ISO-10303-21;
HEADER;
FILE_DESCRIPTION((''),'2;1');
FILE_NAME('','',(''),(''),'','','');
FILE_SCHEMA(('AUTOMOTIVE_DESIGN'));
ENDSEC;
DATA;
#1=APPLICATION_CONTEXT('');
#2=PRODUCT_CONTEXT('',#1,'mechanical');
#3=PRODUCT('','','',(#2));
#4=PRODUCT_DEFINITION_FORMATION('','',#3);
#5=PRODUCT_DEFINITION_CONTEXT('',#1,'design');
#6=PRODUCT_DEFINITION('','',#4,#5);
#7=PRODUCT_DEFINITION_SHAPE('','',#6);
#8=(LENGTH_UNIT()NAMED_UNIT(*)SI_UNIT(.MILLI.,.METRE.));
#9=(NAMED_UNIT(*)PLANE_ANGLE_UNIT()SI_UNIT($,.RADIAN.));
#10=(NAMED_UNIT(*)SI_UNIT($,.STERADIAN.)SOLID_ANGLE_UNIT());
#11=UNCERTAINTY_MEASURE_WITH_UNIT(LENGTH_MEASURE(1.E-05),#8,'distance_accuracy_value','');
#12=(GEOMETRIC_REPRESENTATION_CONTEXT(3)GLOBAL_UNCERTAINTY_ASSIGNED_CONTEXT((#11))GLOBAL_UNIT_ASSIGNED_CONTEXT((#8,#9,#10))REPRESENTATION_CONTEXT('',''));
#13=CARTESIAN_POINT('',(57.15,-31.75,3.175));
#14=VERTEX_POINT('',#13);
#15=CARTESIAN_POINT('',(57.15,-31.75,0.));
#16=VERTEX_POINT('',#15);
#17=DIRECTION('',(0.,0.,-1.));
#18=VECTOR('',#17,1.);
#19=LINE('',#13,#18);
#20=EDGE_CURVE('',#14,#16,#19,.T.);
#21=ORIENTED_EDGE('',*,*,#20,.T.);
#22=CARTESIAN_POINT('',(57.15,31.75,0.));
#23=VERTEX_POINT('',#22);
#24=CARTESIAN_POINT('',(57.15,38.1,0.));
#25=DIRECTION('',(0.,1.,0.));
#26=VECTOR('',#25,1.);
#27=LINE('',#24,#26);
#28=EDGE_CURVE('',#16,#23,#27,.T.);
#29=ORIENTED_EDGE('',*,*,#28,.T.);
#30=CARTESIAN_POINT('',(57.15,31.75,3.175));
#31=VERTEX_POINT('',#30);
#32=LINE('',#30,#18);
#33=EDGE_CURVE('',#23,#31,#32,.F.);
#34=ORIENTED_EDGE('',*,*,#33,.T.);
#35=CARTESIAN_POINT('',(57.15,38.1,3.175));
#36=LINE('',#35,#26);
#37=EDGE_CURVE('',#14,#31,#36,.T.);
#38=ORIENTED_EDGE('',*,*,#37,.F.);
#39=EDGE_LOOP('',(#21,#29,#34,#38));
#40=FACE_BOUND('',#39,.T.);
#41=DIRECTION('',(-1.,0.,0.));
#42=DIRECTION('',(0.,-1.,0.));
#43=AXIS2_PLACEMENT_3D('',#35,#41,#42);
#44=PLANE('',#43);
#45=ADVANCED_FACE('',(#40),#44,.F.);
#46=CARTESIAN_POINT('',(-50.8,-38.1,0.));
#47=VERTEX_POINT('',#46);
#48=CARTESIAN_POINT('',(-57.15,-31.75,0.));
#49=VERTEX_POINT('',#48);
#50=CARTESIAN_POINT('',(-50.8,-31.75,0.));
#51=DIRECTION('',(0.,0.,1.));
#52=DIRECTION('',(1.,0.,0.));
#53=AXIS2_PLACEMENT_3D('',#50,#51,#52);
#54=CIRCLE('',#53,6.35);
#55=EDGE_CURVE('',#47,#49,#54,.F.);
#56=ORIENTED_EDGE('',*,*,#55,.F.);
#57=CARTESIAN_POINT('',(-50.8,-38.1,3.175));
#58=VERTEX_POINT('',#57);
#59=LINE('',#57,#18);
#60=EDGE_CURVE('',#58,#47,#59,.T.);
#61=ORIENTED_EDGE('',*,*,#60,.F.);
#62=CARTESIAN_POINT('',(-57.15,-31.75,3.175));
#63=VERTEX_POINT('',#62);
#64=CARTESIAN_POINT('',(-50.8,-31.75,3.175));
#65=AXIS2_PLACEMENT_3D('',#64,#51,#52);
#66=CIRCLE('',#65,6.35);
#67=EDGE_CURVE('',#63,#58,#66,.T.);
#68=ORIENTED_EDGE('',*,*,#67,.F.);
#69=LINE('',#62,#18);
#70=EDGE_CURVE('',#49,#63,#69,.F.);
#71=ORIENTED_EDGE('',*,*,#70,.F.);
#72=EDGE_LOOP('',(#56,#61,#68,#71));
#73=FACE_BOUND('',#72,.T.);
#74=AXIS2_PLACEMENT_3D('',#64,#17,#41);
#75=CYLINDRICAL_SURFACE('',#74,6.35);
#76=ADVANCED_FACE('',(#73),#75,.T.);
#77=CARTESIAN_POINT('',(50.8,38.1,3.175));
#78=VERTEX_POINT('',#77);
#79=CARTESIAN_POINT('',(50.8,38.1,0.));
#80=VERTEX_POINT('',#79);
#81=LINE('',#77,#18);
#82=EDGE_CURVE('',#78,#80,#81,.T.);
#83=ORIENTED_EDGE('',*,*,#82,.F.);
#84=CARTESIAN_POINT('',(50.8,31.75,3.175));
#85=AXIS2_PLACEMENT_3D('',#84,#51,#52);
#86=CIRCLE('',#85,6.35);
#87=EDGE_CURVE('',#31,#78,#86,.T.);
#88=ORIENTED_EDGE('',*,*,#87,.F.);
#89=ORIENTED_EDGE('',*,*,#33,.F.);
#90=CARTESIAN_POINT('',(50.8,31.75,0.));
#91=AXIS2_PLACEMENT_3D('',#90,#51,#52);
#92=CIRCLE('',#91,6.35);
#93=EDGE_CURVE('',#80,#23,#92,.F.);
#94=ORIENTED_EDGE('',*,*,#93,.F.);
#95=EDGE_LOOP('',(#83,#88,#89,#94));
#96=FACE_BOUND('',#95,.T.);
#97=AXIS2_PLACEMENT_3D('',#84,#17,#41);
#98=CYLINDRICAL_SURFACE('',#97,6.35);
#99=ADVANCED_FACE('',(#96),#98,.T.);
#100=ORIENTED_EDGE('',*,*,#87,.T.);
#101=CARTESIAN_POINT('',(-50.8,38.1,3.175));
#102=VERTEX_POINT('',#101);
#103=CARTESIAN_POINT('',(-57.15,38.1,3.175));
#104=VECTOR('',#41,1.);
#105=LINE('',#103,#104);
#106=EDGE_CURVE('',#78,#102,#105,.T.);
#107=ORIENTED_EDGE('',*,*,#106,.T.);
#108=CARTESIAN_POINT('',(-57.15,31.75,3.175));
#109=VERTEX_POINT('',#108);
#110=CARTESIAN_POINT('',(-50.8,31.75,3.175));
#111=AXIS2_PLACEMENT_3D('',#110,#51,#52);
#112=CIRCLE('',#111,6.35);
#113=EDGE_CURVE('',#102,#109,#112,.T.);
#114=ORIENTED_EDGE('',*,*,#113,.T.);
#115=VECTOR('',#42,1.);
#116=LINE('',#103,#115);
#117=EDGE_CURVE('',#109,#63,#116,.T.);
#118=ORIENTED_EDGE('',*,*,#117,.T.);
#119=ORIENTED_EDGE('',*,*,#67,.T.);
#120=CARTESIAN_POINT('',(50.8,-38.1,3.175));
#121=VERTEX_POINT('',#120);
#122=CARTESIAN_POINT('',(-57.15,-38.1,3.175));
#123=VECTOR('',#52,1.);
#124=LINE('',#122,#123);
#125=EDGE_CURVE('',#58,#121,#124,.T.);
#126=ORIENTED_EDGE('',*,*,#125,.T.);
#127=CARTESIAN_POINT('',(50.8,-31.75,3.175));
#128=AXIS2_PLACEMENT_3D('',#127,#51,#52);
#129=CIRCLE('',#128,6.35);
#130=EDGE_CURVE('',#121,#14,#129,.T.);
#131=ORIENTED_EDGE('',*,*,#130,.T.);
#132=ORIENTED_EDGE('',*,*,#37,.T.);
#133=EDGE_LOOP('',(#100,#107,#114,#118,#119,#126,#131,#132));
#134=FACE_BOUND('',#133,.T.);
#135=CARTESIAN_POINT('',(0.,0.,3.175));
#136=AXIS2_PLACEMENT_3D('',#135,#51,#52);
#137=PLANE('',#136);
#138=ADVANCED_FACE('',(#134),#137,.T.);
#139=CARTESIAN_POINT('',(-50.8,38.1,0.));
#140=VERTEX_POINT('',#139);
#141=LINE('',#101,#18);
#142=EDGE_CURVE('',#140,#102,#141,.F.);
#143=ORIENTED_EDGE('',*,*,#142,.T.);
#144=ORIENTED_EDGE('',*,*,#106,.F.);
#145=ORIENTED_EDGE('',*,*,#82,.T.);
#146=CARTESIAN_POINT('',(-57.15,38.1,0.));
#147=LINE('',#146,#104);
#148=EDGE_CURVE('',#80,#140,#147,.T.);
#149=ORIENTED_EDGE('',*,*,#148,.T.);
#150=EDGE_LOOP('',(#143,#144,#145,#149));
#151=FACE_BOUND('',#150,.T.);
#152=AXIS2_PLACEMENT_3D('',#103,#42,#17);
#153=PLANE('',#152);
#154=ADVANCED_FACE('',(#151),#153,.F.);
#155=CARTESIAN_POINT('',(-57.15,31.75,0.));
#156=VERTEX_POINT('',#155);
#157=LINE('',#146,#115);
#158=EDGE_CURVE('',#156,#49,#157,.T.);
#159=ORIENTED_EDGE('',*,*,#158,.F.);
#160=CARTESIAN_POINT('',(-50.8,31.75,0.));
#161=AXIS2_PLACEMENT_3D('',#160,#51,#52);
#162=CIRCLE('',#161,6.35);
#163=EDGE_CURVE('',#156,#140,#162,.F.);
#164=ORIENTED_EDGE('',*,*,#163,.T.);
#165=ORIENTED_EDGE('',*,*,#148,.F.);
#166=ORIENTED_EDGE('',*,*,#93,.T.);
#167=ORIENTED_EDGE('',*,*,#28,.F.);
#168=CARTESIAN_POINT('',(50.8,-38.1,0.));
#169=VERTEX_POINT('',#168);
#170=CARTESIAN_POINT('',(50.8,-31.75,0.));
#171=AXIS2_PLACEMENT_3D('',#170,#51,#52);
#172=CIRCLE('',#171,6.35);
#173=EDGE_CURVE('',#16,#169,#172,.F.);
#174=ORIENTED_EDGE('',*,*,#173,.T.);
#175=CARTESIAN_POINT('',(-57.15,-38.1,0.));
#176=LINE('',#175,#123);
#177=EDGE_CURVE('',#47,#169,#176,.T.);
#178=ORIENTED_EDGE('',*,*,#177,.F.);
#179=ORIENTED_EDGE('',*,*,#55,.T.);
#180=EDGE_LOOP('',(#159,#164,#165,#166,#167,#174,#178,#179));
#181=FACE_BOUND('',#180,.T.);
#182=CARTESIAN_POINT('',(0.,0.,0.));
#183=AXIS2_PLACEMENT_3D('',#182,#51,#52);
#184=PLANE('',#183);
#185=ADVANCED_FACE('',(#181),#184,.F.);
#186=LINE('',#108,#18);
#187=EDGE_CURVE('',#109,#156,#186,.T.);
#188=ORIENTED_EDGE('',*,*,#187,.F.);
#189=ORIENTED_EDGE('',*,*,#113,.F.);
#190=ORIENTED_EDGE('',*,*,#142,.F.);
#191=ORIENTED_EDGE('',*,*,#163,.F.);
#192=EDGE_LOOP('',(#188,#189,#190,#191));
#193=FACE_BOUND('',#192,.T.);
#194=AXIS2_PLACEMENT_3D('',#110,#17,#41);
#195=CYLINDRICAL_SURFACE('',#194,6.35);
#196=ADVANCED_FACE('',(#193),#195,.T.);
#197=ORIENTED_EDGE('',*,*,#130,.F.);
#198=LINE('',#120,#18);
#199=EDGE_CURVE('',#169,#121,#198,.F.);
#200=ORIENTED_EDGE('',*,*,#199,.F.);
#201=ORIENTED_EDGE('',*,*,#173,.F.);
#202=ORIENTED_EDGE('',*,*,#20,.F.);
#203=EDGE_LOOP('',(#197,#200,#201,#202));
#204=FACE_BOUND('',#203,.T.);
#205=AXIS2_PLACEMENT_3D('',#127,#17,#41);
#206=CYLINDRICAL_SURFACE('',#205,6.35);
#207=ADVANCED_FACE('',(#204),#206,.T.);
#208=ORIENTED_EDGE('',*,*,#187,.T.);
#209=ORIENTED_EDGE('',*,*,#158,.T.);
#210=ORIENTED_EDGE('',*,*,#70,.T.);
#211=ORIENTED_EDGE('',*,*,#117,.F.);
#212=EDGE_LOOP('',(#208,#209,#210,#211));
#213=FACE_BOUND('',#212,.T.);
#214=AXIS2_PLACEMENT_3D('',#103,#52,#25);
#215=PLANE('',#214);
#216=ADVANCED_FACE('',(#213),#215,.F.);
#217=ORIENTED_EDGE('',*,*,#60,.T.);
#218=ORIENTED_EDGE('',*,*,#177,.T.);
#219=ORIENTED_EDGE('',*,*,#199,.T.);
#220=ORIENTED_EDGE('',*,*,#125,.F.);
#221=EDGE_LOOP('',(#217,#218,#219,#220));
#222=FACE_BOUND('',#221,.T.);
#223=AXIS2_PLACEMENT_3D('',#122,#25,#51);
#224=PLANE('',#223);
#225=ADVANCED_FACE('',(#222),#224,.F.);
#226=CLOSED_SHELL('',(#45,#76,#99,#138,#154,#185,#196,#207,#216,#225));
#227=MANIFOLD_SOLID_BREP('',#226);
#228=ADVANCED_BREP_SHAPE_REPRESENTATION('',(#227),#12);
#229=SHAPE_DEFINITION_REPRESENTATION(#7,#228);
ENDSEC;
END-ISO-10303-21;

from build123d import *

# Parameters (mm, degrees)
SKETCH1_W           = 114.3
SKETCH1_H           = 76.2
BOSS_EXTRUDE1_DEPTH = 3.175
FILLET1_R           = 6.35


with BuildPart() as part:
    # Sketch1 → Boss-Extrude1 (new body)
    with BuildSketch(Plane.XY):
        Rectangle(SKETCH1_W, SKETCH1_H)
    extrude(amount=BOSS_EXTRUDE1_DEPTH)

    # Fillet1
    fillet1_edges = [part.edges().sort_by_distance(p)[0] for p in [
        (57.15, -38.1, 1.5875),
        (-57.15, -38.1, 1.5875),
        (-57.15, 38.1, 1.5875),
        (57.15, 38.1, 1.5875),
    ]]
    fillet(fillet1_edges, radius=FILLET1_R)


solid = part.part
